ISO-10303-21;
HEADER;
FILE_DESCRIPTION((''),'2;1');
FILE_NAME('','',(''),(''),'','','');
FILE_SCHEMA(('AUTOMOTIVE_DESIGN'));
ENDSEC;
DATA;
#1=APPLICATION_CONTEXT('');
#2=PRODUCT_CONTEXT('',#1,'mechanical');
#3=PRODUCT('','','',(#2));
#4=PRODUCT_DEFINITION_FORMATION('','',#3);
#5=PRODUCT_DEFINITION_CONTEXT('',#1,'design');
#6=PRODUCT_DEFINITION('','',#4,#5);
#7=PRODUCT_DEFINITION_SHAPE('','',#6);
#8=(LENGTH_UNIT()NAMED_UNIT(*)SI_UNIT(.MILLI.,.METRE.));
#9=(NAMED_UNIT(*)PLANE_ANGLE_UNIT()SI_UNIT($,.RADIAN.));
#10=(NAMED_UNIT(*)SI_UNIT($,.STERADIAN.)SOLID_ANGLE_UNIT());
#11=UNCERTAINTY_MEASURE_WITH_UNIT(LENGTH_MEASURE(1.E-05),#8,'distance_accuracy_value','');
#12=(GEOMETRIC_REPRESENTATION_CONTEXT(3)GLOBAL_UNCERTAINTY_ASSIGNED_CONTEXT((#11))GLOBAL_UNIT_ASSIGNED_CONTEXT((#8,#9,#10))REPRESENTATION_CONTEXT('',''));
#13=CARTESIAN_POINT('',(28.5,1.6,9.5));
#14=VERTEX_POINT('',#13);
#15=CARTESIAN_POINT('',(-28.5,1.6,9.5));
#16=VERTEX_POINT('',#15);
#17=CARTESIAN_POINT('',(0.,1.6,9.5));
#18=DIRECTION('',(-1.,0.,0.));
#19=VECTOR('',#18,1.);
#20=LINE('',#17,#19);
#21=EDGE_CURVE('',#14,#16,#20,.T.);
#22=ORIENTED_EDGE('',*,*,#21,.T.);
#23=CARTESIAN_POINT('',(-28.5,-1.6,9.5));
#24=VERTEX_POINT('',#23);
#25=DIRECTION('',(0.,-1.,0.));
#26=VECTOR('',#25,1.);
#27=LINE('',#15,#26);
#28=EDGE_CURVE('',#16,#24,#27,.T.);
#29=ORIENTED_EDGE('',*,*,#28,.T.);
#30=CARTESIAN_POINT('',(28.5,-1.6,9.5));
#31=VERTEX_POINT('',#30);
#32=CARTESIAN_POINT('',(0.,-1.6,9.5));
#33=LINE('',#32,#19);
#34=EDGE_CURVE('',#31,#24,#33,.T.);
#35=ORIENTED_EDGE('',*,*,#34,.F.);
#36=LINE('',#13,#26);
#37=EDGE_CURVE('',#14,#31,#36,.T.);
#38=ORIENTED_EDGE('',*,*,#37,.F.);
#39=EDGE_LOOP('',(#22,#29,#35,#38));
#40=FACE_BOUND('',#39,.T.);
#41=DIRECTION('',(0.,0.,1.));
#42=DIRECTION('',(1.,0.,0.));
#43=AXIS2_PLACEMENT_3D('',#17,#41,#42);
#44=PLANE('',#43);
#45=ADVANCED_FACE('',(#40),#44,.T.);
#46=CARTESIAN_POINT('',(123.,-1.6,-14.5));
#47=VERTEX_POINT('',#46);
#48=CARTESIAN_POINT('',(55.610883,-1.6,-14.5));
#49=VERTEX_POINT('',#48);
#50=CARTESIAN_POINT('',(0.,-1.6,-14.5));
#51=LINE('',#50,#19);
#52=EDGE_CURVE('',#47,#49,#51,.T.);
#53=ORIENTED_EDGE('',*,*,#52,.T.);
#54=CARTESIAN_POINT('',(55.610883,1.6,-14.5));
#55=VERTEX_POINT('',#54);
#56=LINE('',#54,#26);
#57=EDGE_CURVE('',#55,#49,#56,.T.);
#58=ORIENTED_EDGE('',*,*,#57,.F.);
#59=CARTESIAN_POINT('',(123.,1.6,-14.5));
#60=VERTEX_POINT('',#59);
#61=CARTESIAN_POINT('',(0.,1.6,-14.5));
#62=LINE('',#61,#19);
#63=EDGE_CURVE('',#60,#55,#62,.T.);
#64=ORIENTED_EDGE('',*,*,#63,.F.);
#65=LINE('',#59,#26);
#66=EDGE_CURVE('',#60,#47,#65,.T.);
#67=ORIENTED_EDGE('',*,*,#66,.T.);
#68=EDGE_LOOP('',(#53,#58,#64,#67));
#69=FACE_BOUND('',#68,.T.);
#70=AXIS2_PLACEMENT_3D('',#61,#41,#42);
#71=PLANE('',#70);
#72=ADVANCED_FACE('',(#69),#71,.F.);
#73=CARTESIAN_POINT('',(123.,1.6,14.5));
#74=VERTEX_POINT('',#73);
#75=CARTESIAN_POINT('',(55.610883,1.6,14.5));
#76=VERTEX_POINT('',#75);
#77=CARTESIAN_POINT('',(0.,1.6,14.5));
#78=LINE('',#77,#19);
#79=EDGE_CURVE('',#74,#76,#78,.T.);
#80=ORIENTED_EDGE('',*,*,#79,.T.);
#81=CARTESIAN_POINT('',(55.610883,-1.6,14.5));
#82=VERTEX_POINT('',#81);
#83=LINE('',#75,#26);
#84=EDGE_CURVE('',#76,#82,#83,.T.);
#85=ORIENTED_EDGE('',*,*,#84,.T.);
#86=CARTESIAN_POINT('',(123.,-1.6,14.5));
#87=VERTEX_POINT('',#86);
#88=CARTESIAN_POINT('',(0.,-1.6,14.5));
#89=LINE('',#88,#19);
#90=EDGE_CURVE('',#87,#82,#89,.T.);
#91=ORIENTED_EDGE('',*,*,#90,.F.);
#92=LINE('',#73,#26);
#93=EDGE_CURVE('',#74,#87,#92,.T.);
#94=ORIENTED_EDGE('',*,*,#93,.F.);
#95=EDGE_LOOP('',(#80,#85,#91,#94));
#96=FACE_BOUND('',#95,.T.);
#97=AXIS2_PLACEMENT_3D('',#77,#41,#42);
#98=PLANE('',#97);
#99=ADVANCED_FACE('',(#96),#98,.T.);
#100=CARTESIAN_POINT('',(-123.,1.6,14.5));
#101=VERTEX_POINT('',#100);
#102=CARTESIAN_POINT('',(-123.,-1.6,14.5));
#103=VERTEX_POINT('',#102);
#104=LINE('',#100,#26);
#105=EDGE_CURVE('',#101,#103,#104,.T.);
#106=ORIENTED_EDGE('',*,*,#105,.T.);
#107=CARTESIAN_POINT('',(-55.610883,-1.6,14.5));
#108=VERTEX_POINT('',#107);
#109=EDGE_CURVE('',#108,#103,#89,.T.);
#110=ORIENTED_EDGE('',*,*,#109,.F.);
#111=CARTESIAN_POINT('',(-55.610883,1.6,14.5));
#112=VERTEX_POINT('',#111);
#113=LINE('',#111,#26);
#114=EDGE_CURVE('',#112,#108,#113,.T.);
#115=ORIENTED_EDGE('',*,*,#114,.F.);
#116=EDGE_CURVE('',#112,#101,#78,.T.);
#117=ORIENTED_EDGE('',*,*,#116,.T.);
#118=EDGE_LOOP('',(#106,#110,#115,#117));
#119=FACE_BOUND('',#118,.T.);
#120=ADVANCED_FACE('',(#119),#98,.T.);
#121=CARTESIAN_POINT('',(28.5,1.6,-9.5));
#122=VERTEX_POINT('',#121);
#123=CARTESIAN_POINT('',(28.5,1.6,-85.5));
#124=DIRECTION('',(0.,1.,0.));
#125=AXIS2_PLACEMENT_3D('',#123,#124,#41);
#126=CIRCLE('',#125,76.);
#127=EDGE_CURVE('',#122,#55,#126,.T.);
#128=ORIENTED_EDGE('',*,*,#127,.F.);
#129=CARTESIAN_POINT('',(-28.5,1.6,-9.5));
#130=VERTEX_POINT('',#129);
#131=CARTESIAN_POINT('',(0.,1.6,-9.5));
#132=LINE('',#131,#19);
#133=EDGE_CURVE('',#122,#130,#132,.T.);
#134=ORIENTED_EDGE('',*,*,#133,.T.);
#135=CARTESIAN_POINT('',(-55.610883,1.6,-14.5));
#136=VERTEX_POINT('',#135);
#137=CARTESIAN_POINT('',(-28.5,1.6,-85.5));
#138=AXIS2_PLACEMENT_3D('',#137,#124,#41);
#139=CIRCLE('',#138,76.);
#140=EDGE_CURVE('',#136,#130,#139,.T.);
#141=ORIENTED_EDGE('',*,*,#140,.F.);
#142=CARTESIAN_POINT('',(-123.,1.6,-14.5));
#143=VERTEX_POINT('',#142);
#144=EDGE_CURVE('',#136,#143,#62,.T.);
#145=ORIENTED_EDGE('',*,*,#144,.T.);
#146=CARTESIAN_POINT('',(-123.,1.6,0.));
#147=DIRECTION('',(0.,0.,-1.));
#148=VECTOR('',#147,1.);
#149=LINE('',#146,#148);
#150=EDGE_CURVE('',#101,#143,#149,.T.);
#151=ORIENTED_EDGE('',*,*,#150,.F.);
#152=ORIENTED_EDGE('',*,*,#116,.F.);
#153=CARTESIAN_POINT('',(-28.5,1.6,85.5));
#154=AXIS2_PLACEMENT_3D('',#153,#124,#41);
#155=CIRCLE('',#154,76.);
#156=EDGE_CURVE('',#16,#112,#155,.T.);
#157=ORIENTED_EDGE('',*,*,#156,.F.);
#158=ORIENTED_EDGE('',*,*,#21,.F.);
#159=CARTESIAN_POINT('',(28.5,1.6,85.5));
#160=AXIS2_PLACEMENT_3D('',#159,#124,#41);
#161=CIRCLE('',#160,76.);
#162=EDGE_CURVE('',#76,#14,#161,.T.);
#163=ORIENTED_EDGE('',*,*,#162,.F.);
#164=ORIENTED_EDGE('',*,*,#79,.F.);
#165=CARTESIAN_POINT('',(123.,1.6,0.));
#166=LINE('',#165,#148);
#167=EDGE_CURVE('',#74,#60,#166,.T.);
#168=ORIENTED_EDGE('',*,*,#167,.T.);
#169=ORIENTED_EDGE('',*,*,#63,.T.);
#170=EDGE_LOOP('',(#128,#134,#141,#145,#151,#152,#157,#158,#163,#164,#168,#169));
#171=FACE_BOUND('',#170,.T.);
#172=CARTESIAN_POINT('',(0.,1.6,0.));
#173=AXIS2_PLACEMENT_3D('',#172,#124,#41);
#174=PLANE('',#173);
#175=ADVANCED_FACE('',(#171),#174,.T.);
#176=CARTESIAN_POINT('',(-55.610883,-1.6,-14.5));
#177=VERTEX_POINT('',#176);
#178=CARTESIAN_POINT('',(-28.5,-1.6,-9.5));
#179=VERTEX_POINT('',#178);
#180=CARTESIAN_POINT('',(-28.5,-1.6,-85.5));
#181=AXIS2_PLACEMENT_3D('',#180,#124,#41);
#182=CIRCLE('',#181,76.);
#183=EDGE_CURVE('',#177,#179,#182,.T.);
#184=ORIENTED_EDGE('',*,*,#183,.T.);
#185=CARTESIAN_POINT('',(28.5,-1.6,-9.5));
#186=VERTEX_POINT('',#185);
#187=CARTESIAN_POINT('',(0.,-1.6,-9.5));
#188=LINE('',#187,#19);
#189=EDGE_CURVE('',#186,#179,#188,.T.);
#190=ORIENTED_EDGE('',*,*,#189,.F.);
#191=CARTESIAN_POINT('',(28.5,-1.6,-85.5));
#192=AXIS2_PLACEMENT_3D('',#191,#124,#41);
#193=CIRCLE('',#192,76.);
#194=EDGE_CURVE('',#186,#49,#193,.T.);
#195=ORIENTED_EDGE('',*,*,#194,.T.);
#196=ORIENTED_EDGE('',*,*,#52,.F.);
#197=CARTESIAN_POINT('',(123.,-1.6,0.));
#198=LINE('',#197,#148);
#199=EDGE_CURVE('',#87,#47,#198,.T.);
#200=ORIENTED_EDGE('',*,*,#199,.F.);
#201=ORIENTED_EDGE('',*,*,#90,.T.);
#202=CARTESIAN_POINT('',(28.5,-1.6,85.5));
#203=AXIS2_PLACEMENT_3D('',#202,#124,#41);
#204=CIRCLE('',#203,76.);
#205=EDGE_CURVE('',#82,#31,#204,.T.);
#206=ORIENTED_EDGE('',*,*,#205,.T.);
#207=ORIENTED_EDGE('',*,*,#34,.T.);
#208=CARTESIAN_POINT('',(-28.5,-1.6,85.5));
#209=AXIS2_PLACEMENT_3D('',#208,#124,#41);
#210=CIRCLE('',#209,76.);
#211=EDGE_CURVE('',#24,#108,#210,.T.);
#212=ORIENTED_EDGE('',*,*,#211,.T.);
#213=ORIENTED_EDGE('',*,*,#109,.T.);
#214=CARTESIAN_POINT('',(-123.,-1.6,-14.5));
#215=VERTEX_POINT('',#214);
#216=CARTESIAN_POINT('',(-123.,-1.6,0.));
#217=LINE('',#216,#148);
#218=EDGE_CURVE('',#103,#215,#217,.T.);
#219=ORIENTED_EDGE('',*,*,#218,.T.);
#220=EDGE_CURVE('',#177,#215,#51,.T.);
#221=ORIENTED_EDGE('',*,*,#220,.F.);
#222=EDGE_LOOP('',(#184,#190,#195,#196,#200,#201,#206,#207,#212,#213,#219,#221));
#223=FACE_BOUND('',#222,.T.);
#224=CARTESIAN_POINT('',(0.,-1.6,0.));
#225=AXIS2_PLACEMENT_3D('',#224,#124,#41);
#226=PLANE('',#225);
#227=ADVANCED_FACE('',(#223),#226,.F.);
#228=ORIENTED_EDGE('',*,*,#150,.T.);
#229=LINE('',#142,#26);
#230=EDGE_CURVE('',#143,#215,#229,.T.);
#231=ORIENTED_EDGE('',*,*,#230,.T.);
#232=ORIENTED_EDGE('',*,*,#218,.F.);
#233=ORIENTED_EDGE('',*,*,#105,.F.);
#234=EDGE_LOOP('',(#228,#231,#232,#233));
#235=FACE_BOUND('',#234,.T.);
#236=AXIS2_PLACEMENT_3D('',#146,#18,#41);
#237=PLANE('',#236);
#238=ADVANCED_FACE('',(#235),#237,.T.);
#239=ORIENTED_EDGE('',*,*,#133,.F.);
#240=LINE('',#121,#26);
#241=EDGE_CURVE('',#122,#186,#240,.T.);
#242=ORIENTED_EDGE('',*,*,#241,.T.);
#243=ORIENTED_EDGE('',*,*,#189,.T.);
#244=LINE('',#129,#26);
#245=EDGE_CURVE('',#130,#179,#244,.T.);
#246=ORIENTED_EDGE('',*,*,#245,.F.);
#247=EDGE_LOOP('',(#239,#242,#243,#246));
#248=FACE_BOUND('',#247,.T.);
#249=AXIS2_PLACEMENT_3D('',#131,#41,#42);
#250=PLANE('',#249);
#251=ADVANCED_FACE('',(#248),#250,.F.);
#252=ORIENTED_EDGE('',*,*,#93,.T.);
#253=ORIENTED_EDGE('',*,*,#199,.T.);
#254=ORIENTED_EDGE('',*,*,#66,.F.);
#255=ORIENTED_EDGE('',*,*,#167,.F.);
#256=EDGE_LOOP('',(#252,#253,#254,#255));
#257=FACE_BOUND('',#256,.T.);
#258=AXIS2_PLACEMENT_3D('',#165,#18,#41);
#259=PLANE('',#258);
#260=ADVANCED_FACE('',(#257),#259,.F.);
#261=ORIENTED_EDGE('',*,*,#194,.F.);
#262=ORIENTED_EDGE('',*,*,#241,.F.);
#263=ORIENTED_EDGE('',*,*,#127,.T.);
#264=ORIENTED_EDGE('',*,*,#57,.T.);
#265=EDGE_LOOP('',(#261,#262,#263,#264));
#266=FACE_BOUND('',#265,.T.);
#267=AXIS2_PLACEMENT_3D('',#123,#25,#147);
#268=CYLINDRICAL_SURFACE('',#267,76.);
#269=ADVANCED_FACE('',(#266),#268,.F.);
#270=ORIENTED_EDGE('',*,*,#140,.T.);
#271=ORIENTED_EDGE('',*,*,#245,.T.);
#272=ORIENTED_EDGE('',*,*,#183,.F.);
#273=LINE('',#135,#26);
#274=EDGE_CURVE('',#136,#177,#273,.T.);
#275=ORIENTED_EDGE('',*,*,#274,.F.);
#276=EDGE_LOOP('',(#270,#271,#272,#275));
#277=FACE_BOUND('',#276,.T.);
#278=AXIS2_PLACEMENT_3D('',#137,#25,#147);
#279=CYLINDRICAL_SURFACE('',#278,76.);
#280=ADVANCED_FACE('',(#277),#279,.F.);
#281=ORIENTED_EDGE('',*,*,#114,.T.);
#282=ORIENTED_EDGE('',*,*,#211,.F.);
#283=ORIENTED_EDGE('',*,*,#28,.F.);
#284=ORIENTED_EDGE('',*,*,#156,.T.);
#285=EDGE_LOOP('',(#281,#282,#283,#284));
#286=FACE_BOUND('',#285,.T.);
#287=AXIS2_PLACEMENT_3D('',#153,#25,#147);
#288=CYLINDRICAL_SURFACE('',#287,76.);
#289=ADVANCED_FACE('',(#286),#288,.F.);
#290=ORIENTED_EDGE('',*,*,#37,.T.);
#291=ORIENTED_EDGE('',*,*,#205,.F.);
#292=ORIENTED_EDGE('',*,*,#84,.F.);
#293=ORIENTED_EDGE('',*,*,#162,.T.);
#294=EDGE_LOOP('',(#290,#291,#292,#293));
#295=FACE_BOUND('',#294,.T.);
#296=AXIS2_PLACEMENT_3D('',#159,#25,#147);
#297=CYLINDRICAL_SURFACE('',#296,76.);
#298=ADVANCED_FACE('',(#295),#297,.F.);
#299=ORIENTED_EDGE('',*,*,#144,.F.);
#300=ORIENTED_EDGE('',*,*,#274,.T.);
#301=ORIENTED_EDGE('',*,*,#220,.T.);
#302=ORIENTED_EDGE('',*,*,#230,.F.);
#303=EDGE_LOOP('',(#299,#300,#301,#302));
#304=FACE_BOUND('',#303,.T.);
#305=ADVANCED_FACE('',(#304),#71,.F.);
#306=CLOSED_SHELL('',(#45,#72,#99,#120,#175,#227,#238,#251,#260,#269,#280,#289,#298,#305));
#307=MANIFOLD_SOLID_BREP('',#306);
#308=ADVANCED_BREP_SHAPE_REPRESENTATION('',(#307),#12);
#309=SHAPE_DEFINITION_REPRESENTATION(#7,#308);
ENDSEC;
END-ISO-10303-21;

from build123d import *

# Parameters (mm, degrees)
CROQUIS1_W              = 57
CROQUIS1_H              = 19
SALIENTE_EXTRUIR1_DEPTH = 1.6


with BuildPart() as part:
    # Croquis1 → Saliente-Extruir1 (new body, symmetric)
    with BuildSketch(Plane(origin=(0, 0, 0), x_dir=(1, 0, 0), z_dir=(0, 1, 0))):
        with BuildLine():
            Line((-123, -14.5), (-55.610883423, -14.5))
            ThreePointArc((-55.610883423, -14.5), (-42.284048752, -10.760452236), (-28.5, -9.5))
            Line((-28.5, -9.5), (-28.5, 9.5))
            ThreePointArc((-28.5, 9.5), (-42.284048752, 10.760452236), (-55.610883423, 14.5))
            Line((-55.610883423, 14.5), (-123, 14.5))
            Line((-123, 14.5), (-123, -14.5))
        make_face()
        with BuildLine():
            Line((55.610883423, -14.5), (123, -14.5))
            Line((123, -14.5), (123, 14.5))
            Line((123, 14.5), (55.610883423, 14.5))
            ThreePointArc((55.610883423, 14.5), (42.284048752, 10.760452236), (28.5, 9.5))
            Line((28.5, 9.5), (28.5, -9.5))
            ThreePointArc((28.5, -9.5), (42.284048752, -10.760452236), (55.610883423, -14.5))
        make_face()
        Rectangle(CROQUIS1_W, CROQUIS1_H)
    extrude(amount=SALIENTE_EXTRUIR1_DEPTH, both=True)


solid = part.part
